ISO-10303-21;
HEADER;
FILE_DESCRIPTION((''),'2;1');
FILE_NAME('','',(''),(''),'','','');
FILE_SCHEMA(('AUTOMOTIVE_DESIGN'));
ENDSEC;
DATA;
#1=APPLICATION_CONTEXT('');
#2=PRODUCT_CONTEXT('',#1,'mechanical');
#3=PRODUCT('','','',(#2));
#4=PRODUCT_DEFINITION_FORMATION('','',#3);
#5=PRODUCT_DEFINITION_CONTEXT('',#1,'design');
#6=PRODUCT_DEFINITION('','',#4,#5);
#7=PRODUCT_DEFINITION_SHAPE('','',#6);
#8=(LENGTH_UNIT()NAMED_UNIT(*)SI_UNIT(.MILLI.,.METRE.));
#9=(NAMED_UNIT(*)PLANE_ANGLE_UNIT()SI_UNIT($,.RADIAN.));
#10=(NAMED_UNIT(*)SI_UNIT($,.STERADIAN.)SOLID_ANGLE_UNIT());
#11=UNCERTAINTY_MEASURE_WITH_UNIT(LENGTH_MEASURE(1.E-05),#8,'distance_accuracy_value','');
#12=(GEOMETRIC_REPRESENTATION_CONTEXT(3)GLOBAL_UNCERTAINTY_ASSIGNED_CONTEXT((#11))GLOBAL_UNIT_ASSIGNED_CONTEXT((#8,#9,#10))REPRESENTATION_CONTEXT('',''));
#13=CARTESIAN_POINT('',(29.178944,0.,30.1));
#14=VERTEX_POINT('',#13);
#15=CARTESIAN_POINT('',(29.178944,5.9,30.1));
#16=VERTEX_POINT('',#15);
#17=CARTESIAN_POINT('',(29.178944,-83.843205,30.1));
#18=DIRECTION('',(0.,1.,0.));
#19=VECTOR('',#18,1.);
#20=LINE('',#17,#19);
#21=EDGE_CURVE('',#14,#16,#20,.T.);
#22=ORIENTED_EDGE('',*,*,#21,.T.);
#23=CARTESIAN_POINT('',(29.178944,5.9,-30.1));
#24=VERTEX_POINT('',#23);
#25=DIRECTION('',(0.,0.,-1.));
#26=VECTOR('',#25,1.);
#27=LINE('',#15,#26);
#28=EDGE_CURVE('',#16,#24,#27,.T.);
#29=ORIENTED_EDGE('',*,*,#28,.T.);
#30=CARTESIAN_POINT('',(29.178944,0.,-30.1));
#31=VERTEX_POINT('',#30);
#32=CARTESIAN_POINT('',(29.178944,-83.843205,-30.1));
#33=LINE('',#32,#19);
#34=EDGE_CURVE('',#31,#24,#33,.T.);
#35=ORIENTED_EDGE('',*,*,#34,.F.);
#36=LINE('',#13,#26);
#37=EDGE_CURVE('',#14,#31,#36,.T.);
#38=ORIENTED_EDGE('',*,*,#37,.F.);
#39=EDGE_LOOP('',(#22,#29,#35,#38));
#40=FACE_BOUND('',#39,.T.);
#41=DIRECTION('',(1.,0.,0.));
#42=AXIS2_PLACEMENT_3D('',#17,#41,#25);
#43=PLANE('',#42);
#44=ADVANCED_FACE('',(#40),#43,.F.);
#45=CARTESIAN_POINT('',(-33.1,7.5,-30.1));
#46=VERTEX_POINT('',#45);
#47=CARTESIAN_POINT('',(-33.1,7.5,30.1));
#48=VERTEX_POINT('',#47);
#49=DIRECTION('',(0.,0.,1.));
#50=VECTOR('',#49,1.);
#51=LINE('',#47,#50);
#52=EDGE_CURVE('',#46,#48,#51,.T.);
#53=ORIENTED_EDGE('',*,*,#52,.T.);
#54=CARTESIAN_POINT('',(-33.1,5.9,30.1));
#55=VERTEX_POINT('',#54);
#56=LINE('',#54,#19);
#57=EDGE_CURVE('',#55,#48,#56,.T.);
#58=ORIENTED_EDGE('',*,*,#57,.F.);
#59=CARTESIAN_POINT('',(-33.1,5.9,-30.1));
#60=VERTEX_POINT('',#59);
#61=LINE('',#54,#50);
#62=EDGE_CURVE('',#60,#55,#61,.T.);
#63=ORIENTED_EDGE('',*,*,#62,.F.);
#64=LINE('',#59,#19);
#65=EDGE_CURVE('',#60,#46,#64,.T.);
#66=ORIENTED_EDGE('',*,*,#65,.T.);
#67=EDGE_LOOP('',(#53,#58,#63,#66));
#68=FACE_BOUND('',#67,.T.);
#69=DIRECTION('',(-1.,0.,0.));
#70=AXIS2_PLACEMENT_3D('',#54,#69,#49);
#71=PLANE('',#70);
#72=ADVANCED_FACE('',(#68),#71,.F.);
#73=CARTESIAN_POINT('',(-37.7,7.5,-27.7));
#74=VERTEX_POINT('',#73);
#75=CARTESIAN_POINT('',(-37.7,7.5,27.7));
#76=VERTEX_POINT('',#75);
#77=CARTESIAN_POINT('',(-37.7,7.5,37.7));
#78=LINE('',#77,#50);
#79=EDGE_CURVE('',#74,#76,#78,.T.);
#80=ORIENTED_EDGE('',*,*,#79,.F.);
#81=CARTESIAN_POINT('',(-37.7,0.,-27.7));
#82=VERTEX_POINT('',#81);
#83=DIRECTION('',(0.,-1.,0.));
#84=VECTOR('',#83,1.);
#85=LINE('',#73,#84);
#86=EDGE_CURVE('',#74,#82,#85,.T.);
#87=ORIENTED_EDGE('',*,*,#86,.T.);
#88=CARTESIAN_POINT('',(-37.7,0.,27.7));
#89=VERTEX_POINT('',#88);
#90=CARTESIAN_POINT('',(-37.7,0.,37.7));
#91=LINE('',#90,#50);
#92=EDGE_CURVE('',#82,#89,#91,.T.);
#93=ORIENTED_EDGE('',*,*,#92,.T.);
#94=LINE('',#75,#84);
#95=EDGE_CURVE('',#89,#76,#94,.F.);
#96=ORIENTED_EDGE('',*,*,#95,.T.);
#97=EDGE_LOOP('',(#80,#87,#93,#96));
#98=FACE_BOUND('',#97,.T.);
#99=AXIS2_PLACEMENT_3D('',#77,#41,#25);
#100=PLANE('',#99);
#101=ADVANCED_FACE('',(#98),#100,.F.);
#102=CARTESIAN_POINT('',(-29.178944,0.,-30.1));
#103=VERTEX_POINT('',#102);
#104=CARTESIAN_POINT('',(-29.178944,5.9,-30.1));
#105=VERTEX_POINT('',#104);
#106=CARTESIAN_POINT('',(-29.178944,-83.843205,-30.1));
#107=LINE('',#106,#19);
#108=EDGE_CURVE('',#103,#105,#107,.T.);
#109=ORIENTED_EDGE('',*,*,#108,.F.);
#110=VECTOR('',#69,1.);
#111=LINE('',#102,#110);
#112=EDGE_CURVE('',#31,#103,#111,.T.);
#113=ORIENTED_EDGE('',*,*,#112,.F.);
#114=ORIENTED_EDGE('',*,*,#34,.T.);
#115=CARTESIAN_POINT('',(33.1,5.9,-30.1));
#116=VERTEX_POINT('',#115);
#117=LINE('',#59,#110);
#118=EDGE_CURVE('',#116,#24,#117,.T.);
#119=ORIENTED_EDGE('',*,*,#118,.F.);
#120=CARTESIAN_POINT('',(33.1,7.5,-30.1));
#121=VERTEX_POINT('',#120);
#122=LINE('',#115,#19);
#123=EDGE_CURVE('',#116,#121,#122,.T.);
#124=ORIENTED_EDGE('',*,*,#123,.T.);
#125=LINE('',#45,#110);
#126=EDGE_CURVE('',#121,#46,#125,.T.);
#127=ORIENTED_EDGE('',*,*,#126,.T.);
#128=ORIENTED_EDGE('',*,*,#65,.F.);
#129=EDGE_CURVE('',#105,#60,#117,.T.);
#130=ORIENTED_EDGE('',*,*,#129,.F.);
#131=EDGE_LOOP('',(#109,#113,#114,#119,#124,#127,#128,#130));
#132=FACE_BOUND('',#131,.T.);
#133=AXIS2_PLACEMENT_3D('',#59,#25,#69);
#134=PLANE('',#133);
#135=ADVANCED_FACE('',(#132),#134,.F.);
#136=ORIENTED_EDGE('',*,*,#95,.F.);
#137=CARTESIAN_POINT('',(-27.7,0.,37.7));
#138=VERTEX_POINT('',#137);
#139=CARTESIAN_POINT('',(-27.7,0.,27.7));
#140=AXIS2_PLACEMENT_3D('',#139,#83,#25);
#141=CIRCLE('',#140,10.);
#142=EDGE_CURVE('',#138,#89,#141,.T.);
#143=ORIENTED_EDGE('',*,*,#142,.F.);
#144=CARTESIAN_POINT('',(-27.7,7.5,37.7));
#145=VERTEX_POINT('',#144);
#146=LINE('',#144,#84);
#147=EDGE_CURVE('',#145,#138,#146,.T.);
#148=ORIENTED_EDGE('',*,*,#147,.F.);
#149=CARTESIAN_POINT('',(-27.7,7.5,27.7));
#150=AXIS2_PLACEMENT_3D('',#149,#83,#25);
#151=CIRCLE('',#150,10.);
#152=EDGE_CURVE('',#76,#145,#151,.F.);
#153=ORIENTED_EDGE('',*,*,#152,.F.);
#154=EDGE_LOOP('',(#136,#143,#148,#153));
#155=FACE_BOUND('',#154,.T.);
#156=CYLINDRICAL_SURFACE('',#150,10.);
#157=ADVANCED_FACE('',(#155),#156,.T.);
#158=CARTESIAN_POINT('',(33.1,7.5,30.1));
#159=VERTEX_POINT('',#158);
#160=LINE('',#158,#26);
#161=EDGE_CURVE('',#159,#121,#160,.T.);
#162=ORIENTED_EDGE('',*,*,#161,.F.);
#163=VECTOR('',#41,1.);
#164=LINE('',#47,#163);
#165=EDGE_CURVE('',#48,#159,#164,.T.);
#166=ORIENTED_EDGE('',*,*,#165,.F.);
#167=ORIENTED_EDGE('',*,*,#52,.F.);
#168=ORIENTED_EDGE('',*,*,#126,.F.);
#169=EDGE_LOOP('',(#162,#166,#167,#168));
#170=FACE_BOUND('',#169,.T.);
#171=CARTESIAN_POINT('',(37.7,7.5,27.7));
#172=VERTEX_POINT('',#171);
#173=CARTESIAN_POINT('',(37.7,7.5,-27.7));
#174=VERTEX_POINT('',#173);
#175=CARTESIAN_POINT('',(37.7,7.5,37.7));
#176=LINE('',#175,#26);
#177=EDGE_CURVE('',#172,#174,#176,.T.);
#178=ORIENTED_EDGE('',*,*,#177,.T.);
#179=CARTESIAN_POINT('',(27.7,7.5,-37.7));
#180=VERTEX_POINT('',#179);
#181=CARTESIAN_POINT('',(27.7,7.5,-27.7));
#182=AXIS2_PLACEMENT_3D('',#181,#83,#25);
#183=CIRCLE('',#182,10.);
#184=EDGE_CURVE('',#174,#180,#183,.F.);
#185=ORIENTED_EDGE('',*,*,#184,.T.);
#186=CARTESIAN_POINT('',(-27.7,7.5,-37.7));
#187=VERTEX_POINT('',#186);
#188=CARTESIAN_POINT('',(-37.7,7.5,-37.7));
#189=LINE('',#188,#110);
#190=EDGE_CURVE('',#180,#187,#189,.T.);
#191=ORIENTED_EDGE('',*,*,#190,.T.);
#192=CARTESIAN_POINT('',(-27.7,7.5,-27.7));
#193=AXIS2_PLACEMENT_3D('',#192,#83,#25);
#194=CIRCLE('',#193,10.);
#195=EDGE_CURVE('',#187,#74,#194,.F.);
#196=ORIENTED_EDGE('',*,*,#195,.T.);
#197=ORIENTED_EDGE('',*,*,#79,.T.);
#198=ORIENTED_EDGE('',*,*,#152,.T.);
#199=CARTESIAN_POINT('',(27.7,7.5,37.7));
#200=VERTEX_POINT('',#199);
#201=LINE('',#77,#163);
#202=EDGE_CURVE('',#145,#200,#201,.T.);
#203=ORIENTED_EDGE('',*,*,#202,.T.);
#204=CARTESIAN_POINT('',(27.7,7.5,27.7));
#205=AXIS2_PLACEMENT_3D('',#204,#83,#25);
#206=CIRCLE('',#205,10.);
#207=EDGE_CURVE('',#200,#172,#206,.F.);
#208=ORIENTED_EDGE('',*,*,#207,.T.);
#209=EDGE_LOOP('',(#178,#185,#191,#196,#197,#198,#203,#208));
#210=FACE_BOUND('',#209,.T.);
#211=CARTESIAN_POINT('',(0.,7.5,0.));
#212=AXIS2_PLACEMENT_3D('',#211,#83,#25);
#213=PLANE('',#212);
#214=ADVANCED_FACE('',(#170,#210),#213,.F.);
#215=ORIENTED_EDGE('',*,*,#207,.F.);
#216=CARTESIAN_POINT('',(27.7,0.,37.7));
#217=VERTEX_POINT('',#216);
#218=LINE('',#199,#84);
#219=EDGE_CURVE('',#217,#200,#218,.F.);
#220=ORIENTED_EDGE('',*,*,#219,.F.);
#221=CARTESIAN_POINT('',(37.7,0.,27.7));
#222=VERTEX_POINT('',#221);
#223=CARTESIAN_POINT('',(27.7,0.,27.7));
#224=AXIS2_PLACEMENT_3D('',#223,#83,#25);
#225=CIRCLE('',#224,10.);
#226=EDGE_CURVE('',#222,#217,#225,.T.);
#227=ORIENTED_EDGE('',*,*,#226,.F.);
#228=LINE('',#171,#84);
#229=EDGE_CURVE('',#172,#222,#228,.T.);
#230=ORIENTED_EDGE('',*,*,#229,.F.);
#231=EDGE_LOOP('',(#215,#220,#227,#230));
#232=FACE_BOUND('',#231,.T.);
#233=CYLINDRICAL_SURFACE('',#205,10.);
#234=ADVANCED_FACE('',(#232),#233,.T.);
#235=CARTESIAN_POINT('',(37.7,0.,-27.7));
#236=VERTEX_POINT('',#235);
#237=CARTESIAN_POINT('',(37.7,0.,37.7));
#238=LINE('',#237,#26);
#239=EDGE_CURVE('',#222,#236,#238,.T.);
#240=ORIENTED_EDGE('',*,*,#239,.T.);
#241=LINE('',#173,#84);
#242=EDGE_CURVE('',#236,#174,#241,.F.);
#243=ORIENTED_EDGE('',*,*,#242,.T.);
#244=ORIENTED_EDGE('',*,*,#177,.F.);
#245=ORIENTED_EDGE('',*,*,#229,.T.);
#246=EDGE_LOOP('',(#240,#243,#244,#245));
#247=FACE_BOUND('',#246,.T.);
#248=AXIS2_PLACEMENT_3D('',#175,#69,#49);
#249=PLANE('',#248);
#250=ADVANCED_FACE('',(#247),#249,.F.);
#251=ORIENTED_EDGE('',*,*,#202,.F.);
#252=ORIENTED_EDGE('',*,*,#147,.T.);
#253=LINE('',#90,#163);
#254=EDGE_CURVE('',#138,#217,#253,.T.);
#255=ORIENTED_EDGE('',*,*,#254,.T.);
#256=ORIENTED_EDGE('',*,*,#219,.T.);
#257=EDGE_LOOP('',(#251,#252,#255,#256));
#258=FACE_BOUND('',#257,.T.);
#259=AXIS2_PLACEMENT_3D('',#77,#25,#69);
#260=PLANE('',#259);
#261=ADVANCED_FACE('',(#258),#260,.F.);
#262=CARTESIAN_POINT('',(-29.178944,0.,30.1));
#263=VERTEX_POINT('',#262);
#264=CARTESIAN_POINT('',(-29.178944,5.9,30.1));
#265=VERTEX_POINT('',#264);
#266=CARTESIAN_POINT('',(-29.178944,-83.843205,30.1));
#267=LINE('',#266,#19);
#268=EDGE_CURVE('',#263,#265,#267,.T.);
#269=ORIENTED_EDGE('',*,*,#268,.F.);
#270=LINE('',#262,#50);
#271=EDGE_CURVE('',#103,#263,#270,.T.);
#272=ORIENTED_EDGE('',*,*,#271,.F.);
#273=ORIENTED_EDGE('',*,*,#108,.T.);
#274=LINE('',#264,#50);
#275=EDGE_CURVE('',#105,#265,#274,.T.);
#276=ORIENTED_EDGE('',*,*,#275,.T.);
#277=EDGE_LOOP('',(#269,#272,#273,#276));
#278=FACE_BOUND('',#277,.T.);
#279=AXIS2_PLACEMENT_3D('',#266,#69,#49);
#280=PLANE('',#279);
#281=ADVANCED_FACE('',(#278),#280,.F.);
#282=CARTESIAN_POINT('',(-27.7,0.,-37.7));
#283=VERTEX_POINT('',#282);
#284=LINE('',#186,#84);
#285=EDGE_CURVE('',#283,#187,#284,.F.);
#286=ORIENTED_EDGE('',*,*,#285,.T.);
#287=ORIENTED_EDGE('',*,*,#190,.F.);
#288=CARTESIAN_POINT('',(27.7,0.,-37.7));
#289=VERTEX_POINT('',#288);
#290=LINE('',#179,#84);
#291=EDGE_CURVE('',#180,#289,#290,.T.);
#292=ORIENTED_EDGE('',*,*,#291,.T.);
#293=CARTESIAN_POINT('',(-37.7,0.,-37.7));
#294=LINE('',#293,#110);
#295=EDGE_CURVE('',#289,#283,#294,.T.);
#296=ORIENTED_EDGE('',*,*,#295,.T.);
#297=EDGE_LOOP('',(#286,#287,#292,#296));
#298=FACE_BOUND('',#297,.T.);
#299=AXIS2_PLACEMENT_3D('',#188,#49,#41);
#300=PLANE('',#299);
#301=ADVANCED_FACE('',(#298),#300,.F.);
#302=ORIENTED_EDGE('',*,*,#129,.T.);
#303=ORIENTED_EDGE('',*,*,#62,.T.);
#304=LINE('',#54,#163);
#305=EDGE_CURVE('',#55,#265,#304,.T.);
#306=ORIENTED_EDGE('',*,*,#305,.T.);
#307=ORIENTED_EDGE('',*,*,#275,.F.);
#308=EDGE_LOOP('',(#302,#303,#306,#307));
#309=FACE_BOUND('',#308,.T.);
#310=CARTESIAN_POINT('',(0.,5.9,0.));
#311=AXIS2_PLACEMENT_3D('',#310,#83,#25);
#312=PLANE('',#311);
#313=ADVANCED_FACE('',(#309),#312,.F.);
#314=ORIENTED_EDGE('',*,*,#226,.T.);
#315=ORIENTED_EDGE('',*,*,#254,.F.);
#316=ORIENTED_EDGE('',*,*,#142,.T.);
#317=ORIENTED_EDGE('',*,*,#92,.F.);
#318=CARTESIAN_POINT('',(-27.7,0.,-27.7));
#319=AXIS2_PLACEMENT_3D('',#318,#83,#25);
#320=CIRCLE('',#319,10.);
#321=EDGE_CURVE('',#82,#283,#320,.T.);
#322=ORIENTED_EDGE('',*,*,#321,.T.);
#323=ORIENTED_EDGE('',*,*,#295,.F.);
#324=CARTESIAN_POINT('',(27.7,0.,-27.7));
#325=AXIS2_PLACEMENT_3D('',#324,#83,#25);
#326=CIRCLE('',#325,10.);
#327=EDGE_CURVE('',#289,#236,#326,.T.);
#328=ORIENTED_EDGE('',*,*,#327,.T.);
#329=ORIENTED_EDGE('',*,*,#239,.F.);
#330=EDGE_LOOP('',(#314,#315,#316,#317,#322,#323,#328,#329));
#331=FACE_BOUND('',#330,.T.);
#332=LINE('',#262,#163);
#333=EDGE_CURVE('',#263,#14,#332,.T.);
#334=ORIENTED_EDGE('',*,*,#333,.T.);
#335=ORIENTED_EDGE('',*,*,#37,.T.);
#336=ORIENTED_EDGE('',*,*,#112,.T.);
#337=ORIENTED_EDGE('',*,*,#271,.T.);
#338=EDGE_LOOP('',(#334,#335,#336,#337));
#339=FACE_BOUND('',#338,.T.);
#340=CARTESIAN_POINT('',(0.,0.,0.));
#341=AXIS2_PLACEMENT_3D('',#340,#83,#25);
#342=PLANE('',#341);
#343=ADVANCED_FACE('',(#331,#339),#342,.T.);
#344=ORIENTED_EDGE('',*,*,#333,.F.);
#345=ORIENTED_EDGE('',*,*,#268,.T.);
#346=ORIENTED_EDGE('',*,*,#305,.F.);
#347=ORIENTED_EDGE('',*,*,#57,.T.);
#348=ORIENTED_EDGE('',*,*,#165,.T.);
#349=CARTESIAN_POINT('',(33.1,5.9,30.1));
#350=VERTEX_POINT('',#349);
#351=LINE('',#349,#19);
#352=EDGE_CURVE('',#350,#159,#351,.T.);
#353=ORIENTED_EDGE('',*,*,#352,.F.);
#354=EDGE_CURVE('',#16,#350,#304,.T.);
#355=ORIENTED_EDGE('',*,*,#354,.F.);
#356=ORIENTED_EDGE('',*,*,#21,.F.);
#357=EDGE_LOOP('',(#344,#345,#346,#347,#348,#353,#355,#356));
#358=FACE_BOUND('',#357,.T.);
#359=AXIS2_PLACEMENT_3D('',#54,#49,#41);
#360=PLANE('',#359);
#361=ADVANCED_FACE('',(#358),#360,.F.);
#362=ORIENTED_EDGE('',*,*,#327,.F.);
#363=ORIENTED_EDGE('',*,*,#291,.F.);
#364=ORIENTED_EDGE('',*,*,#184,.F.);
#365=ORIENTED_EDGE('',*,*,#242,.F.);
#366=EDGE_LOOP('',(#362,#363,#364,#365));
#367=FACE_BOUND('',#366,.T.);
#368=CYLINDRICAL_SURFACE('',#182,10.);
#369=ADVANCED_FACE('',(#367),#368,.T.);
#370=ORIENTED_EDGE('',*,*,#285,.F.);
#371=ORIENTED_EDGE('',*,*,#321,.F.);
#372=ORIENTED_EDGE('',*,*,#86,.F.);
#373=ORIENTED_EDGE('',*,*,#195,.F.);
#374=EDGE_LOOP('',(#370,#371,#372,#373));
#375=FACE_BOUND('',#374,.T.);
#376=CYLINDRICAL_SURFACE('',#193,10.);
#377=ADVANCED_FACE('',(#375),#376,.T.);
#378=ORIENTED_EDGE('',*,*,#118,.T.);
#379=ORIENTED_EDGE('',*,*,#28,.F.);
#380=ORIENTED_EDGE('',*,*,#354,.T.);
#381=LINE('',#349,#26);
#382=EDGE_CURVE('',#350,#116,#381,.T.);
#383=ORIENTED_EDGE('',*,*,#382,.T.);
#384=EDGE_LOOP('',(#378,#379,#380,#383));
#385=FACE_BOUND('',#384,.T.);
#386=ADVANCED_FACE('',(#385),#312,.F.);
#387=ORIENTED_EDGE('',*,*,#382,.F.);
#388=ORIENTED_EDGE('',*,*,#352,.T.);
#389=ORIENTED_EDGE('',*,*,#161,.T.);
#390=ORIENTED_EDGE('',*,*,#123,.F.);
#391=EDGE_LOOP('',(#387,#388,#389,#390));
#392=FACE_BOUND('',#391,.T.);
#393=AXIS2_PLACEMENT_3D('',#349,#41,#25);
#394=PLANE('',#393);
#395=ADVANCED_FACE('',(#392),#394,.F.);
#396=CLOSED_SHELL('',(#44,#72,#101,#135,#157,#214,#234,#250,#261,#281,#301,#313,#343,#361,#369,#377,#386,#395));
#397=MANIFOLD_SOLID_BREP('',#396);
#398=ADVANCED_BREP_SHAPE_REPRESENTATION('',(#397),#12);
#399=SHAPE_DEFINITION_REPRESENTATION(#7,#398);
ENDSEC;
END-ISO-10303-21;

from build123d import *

# Parameters (mm, degrees)
SKETCH1_W             = 75.4
SKETCH1_H             = 75.4
BASE_DEPTH            = 7.5
SKETCH2_W             = 66.2
SKETCH2_H             = 60.2
SLOT_DEPTH            = 1.6
SKETCH3_W             = 58.357887306
SKETCH3_H             = 60.2
SLOT_COMPONENTS_DEPTH = 5.9
FILLET2_R             = 10


with BuildPart() as part:
    # Sketch1 → Base (new body)
    with BuildSketch(Plane(origin=(0, 0, 0), x_dir=(1, 0, 0), z_dir=(0, 1, 0))):
        Rectangle(SKETCH1_W, SKETCH1_H)
    extrude(amount=BASE_DEPTH)

    # Sketch2 → Slot (cut)
    with BuildSketch(Plane(origin=(0, 7.5, 0), x_dir=(1, 0, 0), z_dir=(0, 1, 0))):
        Rectangle(SKETCH2_W, SKETCH2_H)
    extrude(amount=-SLOT_DEPTH, mode=Mode.SUBTRACT)

    # Sketch3 → Slot-Components (cut)
    with BuildSketch(Plane(origin=(0, 5.9, 0), x_dir=(1, 0, 0), z_dir=(0, 1, 0))):
        Rectangle(SKETCH3_W, SKETCH3_H)
    extrude(amount=-SLOT_COMPONENTS_DEPTH, mode=Mode.SUBTRACT)

    # Fillet2
    fillet2_edges = [part.edges().sort_by_distance(p)[0] for p in [
        (37.7, 3.75, 37.7),
        (-37.7, 3.75, 37.7),
        (-37.7, 3.75, -37.7),
        (37.7, 3.75, -37.7),
    ]]
    fillet(fillet2_edges, radius=FILLET2_R)


solid = part.part
